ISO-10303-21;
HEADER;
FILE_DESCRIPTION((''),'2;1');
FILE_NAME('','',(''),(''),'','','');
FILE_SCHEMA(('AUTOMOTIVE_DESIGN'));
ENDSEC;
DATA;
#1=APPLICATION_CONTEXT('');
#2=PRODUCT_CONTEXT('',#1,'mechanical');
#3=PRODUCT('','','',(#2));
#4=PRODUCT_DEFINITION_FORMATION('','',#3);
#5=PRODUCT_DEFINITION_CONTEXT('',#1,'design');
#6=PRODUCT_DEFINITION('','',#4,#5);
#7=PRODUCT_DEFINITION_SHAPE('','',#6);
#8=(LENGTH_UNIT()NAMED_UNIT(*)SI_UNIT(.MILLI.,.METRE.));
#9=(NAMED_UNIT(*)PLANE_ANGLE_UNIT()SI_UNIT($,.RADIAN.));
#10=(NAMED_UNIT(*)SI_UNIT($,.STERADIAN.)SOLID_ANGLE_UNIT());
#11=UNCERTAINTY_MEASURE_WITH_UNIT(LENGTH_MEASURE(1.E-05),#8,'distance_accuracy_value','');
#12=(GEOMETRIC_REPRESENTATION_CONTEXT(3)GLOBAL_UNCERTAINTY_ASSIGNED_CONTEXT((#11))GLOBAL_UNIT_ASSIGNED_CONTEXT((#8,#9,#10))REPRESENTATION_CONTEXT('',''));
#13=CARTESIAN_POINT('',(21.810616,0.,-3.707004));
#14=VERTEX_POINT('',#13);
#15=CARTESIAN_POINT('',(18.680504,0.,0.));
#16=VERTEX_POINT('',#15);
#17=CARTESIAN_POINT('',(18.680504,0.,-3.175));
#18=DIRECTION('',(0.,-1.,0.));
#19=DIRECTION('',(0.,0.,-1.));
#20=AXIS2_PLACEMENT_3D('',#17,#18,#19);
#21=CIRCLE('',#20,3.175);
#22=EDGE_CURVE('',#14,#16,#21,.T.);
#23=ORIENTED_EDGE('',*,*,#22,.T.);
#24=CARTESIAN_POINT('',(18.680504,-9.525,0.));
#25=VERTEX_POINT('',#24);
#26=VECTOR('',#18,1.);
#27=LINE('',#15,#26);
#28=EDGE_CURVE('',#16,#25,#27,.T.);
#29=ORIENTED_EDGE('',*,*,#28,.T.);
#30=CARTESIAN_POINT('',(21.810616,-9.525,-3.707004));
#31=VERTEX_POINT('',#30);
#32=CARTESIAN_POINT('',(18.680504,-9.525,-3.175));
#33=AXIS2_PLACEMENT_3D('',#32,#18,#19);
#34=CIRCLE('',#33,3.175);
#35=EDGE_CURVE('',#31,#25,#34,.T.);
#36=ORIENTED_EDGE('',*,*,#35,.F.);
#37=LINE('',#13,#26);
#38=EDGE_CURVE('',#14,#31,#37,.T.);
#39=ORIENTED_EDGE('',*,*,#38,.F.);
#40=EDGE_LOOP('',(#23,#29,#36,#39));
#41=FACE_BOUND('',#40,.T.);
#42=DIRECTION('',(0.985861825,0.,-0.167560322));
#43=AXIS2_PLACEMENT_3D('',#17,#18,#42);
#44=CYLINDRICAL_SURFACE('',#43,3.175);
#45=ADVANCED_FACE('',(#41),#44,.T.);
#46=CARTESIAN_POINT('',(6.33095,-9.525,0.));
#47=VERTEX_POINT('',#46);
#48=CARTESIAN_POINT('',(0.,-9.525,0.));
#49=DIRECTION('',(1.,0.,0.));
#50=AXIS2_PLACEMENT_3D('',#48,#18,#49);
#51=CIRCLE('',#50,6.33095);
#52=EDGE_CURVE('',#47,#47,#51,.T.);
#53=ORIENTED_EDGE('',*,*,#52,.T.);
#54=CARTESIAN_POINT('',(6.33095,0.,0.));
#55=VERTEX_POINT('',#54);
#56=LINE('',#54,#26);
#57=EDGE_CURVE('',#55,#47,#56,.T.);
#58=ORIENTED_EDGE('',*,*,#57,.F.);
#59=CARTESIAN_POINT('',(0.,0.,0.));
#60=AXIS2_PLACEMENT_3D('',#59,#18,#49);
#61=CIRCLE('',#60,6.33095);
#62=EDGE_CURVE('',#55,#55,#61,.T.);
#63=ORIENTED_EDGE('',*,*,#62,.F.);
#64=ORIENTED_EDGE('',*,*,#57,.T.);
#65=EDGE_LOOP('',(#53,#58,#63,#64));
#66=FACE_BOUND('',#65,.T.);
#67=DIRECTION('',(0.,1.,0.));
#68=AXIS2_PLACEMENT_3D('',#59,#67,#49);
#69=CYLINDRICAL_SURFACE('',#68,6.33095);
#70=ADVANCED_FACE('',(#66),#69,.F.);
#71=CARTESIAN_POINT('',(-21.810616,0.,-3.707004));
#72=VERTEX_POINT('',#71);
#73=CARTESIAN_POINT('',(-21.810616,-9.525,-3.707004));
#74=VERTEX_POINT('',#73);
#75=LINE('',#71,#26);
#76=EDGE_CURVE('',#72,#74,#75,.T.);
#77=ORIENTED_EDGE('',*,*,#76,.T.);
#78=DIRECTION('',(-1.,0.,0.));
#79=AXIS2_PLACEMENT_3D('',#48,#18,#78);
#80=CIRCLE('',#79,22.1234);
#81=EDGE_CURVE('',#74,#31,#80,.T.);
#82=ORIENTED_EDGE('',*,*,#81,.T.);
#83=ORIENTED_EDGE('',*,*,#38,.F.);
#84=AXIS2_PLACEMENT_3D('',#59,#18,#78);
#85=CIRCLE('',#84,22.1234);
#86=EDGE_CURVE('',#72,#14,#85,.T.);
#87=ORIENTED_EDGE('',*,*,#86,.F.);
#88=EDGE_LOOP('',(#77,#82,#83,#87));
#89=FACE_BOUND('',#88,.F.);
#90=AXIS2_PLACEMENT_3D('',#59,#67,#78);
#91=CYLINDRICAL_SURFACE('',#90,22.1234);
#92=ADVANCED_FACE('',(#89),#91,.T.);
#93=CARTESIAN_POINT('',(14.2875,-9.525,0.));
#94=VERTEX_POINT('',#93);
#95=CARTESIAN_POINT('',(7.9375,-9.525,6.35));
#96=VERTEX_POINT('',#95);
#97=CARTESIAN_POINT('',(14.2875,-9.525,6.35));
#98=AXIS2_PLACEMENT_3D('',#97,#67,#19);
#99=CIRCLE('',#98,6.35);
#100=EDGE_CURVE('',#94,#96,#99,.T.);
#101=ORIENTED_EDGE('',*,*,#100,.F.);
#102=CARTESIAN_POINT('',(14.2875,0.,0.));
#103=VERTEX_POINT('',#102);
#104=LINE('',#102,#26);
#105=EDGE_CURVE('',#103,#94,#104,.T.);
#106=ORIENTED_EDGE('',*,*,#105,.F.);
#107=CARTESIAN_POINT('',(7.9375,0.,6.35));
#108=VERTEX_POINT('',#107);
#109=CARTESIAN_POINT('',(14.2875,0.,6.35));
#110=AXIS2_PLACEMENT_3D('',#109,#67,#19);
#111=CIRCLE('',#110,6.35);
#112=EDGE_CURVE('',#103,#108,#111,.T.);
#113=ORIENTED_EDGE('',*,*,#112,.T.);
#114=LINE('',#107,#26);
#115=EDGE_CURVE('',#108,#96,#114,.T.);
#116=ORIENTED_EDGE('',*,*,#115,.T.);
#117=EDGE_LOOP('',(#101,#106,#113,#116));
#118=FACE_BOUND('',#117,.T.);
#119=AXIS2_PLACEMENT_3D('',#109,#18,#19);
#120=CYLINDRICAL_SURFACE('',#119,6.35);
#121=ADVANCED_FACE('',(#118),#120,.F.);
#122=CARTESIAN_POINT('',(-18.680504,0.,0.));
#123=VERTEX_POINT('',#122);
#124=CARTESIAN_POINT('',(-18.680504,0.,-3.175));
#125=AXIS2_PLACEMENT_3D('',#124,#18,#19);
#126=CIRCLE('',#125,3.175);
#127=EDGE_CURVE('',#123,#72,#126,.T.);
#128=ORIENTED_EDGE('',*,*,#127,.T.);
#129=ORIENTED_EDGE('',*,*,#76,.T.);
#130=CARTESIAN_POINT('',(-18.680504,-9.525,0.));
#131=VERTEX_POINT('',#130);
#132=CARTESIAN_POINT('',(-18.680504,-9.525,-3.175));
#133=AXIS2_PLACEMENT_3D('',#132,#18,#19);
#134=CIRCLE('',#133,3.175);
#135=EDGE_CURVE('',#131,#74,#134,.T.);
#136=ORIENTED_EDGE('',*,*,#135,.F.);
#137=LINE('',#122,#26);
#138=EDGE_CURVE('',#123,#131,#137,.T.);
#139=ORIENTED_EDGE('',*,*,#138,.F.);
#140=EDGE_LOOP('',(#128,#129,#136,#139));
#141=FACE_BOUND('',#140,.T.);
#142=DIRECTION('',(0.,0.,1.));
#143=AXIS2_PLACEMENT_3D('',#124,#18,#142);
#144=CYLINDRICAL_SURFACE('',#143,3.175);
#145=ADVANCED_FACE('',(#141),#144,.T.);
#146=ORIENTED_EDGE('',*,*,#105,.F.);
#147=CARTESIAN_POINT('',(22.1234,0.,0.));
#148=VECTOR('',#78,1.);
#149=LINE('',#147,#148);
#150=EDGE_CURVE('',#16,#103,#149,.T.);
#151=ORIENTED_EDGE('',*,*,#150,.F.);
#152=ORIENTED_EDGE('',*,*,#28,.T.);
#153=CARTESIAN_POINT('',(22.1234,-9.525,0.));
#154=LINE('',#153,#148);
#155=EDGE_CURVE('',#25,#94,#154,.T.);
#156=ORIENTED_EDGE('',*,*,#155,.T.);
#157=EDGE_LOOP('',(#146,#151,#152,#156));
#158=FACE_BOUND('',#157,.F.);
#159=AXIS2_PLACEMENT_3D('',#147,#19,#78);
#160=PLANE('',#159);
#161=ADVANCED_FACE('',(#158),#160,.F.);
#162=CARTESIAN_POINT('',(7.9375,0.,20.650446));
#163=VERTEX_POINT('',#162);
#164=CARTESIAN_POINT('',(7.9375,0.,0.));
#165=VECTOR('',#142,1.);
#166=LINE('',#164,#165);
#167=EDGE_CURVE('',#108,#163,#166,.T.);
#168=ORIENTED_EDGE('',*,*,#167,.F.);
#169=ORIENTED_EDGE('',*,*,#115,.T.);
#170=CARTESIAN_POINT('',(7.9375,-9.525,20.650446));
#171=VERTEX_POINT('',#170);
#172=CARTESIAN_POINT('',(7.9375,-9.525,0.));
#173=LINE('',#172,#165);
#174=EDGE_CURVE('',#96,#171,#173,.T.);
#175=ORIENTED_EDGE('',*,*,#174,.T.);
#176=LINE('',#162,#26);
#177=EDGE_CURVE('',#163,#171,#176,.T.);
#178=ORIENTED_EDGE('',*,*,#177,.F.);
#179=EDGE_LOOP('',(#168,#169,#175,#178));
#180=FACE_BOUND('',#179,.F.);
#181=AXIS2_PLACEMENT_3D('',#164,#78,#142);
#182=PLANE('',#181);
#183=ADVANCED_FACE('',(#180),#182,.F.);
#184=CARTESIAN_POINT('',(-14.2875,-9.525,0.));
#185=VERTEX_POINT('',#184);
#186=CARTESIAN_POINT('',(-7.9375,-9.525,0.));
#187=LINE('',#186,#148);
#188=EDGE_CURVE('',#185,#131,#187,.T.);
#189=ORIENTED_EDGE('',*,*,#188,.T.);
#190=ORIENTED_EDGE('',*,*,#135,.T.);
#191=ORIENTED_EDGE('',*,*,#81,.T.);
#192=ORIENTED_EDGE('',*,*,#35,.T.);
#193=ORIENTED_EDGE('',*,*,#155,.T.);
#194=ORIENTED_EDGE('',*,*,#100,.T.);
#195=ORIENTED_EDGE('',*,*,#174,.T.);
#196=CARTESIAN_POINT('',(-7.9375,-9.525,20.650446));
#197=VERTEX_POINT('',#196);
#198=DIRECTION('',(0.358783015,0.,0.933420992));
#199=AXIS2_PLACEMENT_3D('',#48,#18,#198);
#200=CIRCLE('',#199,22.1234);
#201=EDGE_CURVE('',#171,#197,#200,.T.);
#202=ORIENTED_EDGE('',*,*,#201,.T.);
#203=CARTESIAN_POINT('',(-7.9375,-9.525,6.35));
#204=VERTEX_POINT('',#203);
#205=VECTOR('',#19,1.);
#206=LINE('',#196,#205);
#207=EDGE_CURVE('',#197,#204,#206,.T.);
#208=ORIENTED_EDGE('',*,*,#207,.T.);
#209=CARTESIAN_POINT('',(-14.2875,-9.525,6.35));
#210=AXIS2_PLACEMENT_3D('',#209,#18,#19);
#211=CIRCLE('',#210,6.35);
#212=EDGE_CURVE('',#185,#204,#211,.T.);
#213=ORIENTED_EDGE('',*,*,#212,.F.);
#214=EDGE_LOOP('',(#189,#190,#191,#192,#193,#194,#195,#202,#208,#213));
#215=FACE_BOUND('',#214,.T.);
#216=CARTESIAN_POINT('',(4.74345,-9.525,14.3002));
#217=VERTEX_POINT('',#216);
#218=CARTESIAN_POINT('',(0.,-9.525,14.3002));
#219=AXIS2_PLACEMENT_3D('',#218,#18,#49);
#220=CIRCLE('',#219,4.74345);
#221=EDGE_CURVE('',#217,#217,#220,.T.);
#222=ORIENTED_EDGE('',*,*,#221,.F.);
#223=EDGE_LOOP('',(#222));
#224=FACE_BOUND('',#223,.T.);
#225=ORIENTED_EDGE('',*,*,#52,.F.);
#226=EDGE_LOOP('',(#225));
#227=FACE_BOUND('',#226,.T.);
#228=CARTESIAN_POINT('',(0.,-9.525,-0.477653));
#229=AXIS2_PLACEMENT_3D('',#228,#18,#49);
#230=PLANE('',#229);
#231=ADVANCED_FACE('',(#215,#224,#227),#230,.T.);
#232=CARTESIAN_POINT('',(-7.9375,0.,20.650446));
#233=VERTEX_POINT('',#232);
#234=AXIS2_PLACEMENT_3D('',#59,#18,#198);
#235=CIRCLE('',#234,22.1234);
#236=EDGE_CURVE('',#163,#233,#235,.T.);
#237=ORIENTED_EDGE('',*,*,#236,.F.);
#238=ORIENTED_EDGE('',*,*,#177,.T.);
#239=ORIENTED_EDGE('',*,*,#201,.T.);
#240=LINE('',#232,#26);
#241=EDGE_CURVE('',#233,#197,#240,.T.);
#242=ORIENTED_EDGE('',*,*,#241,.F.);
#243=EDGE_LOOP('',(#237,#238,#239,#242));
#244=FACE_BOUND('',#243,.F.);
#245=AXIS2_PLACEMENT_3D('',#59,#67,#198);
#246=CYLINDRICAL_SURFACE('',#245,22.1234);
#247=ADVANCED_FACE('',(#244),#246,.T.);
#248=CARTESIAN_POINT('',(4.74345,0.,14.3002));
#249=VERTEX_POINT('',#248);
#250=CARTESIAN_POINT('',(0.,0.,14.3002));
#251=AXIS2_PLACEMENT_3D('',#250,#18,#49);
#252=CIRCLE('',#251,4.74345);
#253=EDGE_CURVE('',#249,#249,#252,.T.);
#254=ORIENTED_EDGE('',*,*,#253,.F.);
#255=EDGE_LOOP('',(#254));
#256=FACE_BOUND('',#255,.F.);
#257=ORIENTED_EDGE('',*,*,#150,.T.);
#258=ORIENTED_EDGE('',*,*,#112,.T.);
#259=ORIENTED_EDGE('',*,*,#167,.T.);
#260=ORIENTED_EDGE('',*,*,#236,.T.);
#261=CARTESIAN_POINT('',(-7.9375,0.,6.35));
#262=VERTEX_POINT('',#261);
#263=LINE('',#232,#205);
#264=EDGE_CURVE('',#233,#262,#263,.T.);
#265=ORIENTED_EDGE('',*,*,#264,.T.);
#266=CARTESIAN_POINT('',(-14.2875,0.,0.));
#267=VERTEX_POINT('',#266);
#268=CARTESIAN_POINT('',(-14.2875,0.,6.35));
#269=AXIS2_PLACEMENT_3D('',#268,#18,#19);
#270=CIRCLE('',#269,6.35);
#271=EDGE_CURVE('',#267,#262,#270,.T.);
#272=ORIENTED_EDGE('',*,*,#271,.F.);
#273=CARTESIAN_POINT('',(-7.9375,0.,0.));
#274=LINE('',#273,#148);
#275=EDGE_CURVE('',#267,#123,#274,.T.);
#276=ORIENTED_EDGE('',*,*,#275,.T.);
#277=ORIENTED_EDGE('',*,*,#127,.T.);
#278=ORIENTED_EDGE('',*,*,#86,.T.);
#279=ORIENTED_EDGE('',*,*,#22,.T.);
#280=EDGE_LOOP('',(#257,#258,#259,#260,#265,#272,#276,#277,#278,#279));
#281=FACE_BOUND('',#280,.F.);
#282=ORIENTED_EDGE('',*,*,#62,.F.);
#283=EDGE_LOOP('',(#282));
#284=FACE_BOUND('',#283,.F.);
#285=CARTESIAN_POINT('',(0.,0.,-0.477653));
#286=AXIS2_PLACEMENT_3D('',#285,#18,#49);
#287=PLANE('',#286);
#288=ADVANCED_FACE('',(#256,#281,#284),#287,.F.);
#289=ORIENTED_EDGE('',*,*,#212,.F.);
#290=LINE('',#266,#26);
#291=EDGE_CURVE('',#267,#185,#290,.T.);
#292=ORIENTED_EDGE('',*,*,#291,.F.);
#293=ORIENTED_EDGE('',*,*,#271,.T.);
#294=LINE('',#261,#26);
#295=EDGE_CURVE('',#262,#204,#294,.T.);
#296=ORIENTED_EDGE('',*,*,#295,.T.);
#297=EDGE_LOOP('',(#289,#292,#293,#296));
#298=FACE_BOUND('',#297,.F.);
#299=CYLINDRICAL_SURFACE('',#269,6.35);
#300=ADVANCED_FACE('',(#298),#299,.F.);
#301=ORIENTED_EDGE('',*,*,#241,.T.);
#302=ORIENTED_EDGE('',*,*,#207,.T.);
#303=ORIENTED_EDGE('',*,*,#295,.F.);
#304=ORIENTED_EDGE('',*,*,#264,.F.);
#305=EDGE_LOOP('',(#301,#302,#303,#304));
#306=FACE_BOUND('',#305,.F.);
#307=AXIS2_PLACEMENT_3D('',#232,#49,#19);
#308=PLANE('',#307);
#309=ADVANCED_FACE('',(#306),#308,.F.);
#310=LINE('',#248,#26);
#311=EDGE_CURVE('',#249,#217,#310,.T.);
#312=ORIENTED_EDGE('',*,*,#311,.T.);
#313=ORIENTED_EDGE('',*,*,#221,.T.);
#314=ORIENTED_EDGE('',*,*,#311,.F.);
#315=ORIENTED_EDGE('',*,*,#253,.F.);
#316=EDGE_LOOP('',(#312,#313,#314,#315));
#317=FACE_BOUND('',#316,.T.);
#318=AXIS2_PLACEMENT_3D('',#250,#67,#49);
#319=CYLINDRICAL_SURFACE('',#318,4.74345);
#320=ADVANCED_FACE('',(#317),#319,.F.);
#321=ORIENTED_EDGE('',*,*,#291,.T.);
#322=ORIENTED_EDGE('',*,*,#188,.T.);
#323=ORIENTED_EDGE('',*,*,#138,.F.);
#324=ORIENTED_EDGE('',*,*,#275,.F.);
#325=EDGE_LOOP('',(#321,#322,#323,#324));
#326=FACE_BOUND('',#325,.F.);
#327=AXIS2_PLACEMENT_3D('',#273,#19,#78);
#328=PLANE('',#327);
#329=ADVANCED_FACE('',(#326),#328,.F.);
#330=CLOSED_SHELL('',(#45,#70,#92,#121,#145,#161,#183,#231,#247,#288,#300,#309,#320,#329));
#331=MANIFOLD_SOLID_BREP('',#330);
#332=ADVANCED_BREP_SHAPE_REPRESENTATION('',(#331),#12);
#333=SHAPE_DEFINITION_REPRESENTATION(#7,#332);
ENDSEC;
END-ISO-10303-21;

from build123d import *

# Parameters (mm, degrees)
F0_R     = 6.33095
F0_R_2   = 4.74345
F1_DEPTH = 9.525
F2_R     = 6.35
F3_R     = 3.175


with BuildPart() as f1:
    # F0 (on Front) → F1 (new body)
    with BuildSketch(Plane.XZ):
        with BuildLine():
            Line((-7.9375, 0), (-22.1234, 0))
            ThreePointArc((-22.1234, 0), (0, -22.1234), (22.1234, 0))
            Line((22.1234, 0), (7.9375, 0))
            Line((7.9375, 0), (7.9375, 20.650446))
            ThreePointArc((7.9375, 20.650446), (0, 22.1234), (-7.9375, 20.650446))
            Line((-7.9375, 20.650446), (-7.9375, 0))
        make_face()
        Circle(F0_R, mode=Mode.SUBTRACT)
        with Locations((0, 14.3002)):
            Circle(F0_R_2, mode=Mode.SUBTRACT)
    extrude(amount=F1_DEPTH)

    # F2
    f2_edges = [f1.edges().sort_by_distance(p)[0] for p in [
        (-7.9375, -4.7625, 0),
        (7.9375, -4.7625, 0),
    ]]
    fillet(f2_edges, radius=F2_R)

    # F3
    f3_edges = [f1.edges().sort_by_distance(p)[0] for p in [
        (-22.1234, -4.7625, 0),
        (22.1234, -4.7625, 0),
    ]]
    fillet(f3_edges, radius=F3_R)


solid = f1.part
